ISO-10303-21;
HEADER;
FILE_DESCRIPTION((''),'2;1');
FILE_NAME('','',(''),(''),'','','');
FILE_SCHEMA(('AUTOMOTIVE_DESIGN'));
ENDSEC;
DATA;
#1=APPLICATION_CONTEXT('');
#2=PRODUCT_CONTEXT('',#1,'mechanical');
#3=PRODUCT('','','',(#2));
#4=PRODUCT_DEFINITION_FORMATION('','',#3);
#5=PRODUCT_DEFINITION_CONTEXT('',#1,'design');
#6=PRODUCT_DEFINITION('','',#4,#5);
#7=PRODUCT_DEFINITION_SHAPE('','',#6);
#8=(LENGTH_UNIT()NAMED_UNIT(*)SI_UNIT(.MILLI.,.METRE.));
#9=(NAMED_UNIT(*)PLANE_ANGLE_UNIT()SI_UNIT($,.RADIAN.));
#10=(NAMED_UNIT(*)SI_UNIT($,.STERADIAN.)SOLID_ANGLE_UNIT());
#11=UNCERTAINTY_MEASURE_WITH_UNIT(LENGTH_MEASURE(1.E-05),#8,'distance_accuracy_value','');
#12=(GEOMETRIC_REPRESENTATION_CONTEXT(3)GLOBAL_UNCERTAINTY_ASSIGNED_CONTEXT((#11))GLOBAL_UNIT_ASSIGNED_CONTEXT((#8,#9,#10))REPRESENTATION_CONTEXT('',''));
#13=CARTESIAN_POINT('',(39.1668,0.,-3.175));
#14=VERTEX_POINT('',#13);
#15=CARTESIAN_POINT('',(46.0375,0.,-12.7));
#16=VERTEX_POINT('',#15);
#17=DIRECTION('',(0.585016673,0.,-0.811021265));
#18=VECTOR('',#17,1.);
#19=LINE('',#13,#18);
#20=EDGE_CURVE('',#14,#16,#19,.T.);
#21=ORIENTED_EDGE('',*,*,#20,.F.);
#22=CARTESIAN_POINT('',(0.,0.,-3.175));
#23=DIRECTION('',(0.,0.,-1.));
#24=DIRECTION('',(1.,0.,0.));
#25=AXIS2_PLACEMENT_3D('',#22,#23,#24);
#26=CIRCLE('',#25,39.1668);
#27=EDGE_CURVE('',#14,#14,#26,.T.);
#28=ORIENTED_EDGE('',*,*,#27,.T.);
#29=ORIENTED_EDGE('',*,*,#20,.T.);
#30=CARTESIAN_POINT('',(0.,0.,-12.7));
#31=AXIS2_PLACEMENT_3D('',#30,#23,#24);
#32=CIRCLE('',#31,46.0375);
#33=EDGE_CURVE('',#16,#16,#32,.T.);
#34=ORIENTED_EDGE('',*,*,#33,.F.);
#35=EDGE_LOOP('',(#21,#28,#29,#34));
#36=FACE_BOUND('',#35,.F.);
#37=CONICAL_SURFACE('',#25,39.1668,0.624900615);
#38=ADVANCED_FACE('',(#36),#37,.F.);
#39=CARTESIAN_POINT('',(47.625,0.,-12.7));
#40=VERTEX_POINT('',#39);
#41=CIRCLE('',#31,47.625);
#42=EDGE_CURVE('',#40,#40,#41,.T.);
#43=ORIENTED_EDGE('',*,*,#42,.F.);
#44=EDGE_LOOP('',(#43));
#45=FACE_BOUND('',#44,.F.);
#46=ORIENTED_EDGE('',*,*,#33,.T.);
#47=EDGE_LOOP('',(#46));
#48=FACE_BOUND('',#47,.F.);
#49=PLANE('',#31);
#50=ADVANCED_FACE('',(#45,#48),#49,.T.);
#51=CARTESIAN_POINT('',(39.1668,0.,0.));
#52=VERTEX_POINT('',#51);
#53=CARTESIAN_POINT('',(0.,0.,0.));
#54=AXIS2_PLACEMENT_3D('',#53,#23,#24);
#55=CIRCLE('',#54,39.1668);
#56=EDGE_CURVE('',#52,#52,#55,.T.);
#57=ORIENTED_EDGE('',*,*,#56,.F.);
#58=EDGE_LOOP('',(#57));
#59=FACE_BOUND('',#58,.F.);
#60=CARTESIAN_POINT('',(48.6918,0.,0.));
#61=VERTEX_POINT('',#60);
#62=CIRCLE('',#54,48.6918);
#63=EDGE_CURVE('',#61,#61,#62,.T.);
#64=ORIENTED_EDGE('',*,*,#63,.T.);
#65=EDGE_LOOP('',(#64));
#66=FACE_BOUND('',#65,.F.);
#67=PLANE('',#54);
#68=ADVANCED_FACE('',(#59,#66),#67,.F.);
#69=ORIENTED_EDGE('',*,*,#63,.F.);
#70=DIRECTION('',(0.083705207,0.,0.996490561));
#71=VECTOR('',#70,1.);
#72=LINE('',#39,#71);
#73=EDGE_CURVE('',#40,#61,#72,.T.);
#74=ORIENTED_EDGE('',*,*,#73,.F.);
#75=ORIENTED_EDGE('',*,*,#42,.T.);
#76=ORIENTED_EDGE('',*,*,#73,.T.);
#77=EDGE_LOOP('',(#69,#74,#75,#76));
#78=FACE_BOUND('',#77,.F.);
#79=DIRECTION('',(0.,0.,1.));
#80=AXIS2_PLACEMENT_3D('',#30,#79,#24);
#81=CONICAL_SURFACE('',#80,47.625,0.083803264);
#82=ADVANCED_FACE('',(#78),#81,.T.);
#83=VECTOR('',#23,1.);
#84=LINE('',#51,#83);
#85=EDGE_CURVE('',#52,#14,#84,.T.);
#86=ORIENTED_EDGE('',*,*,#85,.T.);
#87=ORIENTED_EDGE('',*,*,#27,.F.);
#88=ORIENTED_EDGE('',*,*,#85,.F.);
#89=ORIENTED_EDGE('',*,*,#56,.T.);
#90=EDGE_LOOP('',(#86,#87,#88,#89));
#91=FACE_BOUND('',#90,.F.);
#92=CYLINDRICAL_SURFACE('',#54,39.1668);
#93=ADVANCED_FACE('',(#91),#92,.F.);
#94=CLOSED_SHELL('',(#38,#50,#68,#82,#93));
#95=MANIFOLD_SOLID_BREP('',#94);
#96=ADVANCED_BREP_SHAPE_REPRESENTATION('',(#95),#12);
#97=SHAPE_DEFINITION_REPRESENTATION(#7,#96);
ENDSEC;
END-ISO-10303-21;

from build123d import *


with BuildPart() as f1:
    # F0 (on Front) → F1 (revolve)
    with BuildSketch(Plane.XZ):
        with BuildLine():
            Line((41.365791, 0), (39.1668, 0))
            Line((39.1668, 0), (39.1668, -3.175))
            Line((39.1668, -3.175), (46.0375, -12.7))
            Line((46.0375, -12.7), (47.625, -12.7))
            Line((47.625, -12.7), (48.6918, 0))
            Line((48.6918, 0), (44.359209, 0))
            ThreePointArc((44.359209, 0), (42.8625, -1.058333), (41.365791, 0))
        make_face()
        with BuildLine():
            Line((44.359209, 0), (41.365791, 0))
            ThreePointArc((41.365791, 0), (42.8625, -1.058333), (44.359209, 0))
        make_face()
    revolve(axis=Axis((0, 0, -2.539125), (0, 0, -1)))


solid = f1.part
